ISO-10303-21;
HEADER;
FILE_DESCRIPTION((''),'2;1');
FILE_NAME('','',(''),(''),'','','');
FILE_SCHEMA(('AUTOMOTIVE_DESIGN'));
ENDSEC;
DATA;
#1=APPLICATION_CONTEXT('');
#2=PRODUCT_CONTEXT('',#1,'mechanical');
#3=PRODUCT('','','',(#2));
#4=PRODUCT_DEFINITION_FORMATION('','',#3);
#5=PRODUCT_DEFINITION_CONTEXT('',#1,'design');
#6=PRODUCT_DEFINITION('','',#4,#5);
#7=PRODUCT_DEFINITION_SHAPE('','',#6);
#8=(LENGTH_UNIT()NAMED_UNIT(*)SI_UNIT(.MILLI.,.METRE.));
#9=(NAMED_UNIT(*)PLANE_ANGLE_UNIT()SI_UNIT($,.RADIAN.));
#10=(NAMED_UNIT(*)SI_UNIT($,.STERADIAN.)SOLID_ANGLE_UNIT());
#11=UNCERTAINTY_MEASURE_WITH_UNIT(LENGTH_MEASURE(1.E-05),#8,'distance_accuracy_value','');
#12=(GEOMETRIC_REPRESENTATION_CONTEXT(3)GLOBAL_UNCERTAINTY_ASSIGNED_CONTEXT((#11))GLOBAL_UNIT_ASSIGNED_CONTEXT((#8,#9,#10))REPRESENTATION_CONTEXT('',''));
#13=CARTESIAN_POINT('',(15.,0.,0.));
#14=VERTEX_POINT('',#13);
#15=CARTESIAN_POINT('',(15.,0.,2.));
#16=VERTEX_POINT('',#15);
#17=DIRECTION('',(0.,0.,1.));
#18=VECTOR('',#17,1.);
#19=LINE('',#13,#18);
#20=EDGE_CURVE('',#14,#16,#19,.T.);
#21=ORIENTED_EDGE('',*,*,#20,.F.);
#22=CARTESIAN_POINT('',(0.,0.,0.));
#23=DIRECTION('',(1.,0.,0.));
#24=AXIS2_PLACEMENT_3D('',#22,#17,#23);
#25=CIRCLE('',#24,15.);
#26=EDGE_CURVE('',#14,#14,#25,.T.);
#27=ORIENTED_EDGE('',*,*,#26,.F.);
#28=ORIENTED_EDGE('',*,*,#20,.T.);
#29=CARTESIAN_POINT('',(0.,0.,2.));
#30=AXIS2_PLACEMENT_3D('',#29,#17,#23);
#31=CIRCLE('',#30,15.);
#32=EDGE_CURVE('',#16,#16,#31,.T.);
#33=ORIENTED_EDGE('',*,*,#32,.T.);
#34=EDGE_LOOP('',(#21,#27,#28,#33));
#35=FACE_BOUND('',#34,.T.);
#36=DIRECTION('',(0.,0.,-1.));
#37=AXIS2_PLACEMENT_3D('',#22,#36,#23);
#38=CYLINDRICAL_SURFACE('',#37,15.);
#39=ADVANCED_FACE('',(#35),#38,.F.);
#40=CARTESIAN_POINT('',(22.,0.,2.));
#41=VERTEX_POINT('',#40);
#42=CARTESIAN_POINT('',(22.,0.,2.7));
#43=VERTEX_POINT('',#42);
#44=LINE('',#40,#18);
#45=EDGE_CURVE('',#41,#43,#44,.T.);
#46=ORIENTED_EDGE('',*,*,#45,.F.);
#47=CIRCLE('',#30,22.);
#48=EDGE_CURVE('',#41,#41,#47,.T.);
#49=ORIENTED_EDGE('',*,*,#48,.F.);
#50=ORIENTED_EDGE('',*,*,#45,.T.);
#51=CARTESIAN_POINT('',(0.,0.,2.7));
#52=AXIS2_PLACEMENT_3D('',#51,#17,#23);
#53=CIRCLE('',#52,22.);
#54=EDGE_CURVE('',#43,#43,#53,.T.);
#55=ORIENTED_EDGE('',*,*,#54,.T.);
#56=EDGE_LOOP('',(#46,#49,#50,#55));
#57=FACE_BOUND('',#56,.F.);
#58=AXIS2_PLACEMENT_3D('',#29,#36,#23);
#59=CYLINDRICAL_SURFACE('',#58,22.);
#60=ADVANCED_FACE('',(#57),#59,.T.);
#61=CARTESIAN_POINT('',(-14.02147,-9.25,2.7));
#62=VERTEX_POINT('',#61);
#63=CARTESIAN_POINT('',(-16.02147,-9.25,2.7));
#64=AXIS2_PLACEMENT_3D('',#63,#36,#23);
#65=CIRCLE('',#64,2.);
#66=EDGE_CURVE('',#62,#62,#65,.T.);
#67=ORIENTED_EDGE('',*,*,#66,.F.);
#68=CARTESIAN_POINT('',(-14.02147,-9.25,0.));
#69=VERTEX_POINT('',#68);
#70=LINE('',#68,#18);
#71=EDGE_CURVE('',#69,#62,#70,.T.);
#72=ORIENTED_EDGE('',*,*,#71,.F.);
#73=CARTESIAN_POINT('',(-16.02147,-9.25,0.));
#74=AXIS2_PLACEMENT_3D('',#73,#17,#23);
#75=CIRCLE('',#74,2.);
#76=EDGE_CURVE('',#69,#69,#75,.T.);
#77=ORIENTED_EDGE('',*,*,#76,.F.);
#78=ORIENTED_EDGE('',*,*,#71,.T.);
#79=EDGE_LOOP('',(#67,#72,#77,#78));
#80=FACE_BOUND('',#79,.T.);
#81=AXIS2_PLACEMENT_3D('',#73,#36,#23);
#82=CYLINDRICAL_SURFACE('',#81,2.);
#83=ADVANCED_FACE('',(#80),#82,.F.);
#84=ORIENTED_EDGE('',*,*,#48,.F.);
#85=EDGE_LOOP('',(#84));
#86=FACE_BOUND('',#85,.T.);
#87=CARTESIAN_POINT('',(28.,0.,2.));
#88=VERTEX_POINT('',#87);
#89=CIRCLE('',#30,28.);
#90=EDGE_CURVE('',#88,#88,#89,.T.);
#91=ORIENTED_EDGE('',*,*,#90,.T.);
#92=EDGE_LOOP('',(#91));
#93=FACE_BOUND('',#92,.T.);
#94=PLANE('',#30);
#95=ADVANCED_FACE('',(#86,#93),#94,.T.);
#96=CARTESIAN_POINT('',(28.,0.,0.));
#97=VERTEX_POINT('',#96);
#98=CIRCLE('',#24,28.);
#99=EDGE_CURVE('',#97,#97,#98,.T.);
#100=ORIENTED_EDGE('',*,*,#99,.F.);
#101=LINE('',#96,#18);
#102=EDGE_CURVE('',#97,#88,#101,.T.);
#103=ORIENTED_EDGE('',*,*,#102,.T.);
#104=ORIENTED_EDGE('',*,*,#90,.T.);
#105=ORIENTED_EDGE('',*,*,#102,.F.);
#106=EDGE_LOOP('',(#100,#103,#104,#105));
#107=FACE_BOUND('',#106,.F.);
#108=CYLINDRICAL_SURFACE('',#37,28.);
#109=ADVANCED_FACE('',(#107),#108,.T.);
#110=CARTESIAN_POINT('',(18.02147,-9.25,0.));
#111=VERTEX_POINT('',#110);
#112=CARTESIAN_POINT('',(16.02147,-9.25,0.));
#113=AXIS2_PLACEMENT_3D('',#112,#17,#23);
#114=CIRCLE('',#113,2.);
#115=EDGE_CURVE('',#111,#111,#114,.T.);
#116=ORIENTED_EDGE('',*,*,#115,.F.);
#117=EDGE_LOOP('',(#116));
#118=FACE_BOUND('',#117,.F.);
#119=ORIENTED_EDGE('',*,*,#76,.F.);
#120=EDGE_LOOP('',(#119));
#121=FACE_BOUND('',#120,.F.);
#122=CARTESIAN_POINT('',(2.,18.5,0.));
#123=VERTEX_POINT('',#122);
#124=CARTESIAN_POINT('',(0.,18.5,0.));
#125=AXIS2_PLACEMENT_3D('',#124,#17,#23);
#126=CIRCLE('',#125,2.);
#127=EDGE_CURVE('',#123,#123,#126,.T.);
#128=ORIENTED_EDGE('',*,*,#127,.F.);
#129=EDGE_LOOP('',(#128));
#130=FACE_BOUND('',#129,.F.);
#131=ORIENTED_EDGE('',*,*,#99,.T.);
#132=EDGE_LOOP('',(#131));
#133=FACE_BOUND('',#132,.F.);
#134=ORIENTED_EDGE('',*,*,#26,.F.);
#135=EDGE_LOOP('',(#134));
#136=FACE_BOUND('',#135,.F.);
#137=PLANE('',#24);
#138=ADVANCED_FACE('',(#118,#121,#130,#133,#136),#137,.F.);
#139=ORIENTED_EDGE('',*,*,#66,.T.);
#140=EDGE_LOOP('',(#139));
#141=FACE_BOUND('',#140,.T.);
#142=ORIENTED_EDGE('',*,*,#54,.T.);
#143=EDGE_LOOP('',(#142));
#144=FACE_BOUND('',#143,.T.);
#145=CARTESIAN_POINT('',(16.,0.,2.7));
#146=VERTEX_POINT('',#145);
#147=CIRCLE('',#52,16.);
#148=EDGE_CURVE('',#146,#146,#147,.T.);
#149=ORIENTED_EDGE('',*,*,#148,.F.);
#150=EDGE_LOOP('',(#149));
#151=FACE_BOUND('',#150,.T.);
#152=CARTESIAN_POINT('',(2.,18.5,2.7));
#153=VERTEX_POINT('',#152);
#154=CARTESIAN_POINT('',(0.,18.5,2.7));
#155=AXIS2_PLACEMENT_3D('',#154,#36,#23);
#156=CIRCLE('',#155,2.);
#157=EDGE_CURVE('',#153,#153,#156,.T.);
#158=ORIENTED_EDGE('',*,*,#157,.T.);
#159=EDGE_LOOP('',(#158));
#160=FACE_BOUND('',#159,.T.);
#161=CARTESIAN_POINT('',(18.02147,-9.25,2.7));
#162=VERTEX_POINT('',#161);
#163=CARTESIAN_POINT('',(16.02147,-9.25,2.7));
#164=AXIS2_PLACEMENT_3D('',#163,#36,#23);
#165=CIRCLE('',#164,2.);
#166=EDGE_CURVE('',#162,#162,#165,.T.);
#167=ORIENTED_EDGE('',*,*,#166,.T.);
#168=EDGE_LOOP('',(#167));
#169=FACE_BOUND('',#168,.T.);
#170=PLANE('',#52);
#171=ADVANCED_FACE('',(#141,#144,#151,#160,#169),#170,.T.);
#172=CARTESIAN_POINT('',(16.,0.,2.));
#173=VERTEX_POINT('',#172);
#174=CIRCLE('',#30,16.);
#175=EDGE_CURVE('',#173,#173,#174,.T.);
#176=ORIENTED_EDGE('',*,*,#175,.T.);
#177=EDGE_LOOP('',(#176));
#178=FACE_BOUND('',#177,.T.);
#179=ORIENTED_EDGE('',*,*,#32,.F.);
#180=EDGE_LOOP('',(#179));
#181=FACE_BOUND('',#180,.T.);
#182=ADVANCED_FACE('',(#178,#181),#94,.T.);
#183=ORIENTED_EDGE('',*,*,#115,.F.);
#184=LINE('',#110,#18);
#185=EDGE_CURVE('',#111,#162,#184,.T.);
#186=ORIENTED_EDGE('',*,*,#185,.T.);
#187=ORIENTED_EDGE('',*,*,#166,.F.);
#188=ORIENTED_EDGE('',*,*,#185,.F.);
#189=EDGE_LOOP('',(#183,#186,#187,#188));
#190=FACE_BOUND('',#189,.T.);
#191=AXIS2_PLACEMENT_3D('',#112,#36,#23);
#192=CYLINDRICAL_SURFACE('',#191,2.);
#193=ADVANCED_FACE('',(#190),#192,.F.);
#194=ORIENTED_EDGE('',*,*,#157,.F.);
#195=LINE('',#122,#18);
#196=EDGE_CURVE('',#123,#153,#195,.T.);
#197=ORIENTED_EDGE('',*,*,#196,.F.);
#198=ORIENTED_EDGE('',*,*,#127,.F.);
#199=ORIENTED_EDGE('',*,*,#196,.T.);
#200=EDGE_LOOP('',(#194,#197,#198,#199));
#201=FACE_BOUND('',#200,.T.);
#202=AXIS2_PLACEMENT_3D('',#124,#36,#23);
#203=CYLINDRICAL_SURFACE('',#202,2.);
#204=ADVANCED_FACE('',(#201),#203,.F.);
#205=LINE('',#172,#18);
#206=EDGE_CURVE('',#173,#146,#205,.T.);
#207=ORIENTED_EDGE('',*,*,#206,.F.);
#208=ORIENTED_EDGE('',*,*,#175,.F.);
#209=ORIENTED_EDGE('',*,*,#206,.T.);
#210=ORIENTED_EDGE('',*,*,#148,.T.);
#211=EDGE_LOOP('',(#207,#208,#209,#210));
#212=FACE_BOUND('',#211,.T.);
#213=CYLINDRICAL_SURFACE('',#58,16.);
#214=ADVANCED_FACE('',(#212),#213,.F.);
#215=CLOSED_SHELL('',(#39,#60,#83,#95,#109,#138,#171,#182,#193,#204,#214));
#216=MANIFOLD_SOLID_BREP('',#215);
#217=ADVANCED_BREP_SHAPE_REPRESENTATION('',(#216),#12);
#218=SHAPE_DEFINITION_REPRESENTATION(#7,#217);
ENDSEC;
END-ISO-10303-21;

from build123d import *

# Parameters (mm, degrees)
SKETCH_R      = 28
SKETCH_R_2    = 15
PAD_DEPTH     = 2
SKETCH003_R   = 22
SKETCH003_R_2 = 16
PAD001_DEPTH  = 0.7
SKETCH002_R   = 2
POCKET_DEPTH  = 2.701


with BuildPart() as part:
    # Sketch → Pad (new body)
    with BuildSketch(Plane.XY):
        Circle(SKETCH_R)
        Circle(SKETCH_R_2, mode=Mode.SUBTRACT)
    extrude(amount=PAD_DEPTH)

    # Sketch003 (on Face4 of Pad) → Pad001 (join)
    with BuildSketch(Plane.XY.offset(2)):
        Circle(SKETCH003_R)
        Circle(SKETCH003_R_2, mode=Mode.SUBTRACT)
    extrude(amount=PAD001_DEPTH)

    # Sketch002 → Pocket (cut, through all)
    with BuildSketch(Plane.XY):
        with Locations((0, 18.5)):
            Circle(SKETCH002_R)
        with Locations((16.02147, -9.25)):
            Circle(SKETCH002_R)
        with Locations((-16.02147, -9.25)):
            Circle(SKETCH002_R)
    extrude(amount=POCKET_DEPTH, mode=Mode.SUBTRACT)


solid = part.part
